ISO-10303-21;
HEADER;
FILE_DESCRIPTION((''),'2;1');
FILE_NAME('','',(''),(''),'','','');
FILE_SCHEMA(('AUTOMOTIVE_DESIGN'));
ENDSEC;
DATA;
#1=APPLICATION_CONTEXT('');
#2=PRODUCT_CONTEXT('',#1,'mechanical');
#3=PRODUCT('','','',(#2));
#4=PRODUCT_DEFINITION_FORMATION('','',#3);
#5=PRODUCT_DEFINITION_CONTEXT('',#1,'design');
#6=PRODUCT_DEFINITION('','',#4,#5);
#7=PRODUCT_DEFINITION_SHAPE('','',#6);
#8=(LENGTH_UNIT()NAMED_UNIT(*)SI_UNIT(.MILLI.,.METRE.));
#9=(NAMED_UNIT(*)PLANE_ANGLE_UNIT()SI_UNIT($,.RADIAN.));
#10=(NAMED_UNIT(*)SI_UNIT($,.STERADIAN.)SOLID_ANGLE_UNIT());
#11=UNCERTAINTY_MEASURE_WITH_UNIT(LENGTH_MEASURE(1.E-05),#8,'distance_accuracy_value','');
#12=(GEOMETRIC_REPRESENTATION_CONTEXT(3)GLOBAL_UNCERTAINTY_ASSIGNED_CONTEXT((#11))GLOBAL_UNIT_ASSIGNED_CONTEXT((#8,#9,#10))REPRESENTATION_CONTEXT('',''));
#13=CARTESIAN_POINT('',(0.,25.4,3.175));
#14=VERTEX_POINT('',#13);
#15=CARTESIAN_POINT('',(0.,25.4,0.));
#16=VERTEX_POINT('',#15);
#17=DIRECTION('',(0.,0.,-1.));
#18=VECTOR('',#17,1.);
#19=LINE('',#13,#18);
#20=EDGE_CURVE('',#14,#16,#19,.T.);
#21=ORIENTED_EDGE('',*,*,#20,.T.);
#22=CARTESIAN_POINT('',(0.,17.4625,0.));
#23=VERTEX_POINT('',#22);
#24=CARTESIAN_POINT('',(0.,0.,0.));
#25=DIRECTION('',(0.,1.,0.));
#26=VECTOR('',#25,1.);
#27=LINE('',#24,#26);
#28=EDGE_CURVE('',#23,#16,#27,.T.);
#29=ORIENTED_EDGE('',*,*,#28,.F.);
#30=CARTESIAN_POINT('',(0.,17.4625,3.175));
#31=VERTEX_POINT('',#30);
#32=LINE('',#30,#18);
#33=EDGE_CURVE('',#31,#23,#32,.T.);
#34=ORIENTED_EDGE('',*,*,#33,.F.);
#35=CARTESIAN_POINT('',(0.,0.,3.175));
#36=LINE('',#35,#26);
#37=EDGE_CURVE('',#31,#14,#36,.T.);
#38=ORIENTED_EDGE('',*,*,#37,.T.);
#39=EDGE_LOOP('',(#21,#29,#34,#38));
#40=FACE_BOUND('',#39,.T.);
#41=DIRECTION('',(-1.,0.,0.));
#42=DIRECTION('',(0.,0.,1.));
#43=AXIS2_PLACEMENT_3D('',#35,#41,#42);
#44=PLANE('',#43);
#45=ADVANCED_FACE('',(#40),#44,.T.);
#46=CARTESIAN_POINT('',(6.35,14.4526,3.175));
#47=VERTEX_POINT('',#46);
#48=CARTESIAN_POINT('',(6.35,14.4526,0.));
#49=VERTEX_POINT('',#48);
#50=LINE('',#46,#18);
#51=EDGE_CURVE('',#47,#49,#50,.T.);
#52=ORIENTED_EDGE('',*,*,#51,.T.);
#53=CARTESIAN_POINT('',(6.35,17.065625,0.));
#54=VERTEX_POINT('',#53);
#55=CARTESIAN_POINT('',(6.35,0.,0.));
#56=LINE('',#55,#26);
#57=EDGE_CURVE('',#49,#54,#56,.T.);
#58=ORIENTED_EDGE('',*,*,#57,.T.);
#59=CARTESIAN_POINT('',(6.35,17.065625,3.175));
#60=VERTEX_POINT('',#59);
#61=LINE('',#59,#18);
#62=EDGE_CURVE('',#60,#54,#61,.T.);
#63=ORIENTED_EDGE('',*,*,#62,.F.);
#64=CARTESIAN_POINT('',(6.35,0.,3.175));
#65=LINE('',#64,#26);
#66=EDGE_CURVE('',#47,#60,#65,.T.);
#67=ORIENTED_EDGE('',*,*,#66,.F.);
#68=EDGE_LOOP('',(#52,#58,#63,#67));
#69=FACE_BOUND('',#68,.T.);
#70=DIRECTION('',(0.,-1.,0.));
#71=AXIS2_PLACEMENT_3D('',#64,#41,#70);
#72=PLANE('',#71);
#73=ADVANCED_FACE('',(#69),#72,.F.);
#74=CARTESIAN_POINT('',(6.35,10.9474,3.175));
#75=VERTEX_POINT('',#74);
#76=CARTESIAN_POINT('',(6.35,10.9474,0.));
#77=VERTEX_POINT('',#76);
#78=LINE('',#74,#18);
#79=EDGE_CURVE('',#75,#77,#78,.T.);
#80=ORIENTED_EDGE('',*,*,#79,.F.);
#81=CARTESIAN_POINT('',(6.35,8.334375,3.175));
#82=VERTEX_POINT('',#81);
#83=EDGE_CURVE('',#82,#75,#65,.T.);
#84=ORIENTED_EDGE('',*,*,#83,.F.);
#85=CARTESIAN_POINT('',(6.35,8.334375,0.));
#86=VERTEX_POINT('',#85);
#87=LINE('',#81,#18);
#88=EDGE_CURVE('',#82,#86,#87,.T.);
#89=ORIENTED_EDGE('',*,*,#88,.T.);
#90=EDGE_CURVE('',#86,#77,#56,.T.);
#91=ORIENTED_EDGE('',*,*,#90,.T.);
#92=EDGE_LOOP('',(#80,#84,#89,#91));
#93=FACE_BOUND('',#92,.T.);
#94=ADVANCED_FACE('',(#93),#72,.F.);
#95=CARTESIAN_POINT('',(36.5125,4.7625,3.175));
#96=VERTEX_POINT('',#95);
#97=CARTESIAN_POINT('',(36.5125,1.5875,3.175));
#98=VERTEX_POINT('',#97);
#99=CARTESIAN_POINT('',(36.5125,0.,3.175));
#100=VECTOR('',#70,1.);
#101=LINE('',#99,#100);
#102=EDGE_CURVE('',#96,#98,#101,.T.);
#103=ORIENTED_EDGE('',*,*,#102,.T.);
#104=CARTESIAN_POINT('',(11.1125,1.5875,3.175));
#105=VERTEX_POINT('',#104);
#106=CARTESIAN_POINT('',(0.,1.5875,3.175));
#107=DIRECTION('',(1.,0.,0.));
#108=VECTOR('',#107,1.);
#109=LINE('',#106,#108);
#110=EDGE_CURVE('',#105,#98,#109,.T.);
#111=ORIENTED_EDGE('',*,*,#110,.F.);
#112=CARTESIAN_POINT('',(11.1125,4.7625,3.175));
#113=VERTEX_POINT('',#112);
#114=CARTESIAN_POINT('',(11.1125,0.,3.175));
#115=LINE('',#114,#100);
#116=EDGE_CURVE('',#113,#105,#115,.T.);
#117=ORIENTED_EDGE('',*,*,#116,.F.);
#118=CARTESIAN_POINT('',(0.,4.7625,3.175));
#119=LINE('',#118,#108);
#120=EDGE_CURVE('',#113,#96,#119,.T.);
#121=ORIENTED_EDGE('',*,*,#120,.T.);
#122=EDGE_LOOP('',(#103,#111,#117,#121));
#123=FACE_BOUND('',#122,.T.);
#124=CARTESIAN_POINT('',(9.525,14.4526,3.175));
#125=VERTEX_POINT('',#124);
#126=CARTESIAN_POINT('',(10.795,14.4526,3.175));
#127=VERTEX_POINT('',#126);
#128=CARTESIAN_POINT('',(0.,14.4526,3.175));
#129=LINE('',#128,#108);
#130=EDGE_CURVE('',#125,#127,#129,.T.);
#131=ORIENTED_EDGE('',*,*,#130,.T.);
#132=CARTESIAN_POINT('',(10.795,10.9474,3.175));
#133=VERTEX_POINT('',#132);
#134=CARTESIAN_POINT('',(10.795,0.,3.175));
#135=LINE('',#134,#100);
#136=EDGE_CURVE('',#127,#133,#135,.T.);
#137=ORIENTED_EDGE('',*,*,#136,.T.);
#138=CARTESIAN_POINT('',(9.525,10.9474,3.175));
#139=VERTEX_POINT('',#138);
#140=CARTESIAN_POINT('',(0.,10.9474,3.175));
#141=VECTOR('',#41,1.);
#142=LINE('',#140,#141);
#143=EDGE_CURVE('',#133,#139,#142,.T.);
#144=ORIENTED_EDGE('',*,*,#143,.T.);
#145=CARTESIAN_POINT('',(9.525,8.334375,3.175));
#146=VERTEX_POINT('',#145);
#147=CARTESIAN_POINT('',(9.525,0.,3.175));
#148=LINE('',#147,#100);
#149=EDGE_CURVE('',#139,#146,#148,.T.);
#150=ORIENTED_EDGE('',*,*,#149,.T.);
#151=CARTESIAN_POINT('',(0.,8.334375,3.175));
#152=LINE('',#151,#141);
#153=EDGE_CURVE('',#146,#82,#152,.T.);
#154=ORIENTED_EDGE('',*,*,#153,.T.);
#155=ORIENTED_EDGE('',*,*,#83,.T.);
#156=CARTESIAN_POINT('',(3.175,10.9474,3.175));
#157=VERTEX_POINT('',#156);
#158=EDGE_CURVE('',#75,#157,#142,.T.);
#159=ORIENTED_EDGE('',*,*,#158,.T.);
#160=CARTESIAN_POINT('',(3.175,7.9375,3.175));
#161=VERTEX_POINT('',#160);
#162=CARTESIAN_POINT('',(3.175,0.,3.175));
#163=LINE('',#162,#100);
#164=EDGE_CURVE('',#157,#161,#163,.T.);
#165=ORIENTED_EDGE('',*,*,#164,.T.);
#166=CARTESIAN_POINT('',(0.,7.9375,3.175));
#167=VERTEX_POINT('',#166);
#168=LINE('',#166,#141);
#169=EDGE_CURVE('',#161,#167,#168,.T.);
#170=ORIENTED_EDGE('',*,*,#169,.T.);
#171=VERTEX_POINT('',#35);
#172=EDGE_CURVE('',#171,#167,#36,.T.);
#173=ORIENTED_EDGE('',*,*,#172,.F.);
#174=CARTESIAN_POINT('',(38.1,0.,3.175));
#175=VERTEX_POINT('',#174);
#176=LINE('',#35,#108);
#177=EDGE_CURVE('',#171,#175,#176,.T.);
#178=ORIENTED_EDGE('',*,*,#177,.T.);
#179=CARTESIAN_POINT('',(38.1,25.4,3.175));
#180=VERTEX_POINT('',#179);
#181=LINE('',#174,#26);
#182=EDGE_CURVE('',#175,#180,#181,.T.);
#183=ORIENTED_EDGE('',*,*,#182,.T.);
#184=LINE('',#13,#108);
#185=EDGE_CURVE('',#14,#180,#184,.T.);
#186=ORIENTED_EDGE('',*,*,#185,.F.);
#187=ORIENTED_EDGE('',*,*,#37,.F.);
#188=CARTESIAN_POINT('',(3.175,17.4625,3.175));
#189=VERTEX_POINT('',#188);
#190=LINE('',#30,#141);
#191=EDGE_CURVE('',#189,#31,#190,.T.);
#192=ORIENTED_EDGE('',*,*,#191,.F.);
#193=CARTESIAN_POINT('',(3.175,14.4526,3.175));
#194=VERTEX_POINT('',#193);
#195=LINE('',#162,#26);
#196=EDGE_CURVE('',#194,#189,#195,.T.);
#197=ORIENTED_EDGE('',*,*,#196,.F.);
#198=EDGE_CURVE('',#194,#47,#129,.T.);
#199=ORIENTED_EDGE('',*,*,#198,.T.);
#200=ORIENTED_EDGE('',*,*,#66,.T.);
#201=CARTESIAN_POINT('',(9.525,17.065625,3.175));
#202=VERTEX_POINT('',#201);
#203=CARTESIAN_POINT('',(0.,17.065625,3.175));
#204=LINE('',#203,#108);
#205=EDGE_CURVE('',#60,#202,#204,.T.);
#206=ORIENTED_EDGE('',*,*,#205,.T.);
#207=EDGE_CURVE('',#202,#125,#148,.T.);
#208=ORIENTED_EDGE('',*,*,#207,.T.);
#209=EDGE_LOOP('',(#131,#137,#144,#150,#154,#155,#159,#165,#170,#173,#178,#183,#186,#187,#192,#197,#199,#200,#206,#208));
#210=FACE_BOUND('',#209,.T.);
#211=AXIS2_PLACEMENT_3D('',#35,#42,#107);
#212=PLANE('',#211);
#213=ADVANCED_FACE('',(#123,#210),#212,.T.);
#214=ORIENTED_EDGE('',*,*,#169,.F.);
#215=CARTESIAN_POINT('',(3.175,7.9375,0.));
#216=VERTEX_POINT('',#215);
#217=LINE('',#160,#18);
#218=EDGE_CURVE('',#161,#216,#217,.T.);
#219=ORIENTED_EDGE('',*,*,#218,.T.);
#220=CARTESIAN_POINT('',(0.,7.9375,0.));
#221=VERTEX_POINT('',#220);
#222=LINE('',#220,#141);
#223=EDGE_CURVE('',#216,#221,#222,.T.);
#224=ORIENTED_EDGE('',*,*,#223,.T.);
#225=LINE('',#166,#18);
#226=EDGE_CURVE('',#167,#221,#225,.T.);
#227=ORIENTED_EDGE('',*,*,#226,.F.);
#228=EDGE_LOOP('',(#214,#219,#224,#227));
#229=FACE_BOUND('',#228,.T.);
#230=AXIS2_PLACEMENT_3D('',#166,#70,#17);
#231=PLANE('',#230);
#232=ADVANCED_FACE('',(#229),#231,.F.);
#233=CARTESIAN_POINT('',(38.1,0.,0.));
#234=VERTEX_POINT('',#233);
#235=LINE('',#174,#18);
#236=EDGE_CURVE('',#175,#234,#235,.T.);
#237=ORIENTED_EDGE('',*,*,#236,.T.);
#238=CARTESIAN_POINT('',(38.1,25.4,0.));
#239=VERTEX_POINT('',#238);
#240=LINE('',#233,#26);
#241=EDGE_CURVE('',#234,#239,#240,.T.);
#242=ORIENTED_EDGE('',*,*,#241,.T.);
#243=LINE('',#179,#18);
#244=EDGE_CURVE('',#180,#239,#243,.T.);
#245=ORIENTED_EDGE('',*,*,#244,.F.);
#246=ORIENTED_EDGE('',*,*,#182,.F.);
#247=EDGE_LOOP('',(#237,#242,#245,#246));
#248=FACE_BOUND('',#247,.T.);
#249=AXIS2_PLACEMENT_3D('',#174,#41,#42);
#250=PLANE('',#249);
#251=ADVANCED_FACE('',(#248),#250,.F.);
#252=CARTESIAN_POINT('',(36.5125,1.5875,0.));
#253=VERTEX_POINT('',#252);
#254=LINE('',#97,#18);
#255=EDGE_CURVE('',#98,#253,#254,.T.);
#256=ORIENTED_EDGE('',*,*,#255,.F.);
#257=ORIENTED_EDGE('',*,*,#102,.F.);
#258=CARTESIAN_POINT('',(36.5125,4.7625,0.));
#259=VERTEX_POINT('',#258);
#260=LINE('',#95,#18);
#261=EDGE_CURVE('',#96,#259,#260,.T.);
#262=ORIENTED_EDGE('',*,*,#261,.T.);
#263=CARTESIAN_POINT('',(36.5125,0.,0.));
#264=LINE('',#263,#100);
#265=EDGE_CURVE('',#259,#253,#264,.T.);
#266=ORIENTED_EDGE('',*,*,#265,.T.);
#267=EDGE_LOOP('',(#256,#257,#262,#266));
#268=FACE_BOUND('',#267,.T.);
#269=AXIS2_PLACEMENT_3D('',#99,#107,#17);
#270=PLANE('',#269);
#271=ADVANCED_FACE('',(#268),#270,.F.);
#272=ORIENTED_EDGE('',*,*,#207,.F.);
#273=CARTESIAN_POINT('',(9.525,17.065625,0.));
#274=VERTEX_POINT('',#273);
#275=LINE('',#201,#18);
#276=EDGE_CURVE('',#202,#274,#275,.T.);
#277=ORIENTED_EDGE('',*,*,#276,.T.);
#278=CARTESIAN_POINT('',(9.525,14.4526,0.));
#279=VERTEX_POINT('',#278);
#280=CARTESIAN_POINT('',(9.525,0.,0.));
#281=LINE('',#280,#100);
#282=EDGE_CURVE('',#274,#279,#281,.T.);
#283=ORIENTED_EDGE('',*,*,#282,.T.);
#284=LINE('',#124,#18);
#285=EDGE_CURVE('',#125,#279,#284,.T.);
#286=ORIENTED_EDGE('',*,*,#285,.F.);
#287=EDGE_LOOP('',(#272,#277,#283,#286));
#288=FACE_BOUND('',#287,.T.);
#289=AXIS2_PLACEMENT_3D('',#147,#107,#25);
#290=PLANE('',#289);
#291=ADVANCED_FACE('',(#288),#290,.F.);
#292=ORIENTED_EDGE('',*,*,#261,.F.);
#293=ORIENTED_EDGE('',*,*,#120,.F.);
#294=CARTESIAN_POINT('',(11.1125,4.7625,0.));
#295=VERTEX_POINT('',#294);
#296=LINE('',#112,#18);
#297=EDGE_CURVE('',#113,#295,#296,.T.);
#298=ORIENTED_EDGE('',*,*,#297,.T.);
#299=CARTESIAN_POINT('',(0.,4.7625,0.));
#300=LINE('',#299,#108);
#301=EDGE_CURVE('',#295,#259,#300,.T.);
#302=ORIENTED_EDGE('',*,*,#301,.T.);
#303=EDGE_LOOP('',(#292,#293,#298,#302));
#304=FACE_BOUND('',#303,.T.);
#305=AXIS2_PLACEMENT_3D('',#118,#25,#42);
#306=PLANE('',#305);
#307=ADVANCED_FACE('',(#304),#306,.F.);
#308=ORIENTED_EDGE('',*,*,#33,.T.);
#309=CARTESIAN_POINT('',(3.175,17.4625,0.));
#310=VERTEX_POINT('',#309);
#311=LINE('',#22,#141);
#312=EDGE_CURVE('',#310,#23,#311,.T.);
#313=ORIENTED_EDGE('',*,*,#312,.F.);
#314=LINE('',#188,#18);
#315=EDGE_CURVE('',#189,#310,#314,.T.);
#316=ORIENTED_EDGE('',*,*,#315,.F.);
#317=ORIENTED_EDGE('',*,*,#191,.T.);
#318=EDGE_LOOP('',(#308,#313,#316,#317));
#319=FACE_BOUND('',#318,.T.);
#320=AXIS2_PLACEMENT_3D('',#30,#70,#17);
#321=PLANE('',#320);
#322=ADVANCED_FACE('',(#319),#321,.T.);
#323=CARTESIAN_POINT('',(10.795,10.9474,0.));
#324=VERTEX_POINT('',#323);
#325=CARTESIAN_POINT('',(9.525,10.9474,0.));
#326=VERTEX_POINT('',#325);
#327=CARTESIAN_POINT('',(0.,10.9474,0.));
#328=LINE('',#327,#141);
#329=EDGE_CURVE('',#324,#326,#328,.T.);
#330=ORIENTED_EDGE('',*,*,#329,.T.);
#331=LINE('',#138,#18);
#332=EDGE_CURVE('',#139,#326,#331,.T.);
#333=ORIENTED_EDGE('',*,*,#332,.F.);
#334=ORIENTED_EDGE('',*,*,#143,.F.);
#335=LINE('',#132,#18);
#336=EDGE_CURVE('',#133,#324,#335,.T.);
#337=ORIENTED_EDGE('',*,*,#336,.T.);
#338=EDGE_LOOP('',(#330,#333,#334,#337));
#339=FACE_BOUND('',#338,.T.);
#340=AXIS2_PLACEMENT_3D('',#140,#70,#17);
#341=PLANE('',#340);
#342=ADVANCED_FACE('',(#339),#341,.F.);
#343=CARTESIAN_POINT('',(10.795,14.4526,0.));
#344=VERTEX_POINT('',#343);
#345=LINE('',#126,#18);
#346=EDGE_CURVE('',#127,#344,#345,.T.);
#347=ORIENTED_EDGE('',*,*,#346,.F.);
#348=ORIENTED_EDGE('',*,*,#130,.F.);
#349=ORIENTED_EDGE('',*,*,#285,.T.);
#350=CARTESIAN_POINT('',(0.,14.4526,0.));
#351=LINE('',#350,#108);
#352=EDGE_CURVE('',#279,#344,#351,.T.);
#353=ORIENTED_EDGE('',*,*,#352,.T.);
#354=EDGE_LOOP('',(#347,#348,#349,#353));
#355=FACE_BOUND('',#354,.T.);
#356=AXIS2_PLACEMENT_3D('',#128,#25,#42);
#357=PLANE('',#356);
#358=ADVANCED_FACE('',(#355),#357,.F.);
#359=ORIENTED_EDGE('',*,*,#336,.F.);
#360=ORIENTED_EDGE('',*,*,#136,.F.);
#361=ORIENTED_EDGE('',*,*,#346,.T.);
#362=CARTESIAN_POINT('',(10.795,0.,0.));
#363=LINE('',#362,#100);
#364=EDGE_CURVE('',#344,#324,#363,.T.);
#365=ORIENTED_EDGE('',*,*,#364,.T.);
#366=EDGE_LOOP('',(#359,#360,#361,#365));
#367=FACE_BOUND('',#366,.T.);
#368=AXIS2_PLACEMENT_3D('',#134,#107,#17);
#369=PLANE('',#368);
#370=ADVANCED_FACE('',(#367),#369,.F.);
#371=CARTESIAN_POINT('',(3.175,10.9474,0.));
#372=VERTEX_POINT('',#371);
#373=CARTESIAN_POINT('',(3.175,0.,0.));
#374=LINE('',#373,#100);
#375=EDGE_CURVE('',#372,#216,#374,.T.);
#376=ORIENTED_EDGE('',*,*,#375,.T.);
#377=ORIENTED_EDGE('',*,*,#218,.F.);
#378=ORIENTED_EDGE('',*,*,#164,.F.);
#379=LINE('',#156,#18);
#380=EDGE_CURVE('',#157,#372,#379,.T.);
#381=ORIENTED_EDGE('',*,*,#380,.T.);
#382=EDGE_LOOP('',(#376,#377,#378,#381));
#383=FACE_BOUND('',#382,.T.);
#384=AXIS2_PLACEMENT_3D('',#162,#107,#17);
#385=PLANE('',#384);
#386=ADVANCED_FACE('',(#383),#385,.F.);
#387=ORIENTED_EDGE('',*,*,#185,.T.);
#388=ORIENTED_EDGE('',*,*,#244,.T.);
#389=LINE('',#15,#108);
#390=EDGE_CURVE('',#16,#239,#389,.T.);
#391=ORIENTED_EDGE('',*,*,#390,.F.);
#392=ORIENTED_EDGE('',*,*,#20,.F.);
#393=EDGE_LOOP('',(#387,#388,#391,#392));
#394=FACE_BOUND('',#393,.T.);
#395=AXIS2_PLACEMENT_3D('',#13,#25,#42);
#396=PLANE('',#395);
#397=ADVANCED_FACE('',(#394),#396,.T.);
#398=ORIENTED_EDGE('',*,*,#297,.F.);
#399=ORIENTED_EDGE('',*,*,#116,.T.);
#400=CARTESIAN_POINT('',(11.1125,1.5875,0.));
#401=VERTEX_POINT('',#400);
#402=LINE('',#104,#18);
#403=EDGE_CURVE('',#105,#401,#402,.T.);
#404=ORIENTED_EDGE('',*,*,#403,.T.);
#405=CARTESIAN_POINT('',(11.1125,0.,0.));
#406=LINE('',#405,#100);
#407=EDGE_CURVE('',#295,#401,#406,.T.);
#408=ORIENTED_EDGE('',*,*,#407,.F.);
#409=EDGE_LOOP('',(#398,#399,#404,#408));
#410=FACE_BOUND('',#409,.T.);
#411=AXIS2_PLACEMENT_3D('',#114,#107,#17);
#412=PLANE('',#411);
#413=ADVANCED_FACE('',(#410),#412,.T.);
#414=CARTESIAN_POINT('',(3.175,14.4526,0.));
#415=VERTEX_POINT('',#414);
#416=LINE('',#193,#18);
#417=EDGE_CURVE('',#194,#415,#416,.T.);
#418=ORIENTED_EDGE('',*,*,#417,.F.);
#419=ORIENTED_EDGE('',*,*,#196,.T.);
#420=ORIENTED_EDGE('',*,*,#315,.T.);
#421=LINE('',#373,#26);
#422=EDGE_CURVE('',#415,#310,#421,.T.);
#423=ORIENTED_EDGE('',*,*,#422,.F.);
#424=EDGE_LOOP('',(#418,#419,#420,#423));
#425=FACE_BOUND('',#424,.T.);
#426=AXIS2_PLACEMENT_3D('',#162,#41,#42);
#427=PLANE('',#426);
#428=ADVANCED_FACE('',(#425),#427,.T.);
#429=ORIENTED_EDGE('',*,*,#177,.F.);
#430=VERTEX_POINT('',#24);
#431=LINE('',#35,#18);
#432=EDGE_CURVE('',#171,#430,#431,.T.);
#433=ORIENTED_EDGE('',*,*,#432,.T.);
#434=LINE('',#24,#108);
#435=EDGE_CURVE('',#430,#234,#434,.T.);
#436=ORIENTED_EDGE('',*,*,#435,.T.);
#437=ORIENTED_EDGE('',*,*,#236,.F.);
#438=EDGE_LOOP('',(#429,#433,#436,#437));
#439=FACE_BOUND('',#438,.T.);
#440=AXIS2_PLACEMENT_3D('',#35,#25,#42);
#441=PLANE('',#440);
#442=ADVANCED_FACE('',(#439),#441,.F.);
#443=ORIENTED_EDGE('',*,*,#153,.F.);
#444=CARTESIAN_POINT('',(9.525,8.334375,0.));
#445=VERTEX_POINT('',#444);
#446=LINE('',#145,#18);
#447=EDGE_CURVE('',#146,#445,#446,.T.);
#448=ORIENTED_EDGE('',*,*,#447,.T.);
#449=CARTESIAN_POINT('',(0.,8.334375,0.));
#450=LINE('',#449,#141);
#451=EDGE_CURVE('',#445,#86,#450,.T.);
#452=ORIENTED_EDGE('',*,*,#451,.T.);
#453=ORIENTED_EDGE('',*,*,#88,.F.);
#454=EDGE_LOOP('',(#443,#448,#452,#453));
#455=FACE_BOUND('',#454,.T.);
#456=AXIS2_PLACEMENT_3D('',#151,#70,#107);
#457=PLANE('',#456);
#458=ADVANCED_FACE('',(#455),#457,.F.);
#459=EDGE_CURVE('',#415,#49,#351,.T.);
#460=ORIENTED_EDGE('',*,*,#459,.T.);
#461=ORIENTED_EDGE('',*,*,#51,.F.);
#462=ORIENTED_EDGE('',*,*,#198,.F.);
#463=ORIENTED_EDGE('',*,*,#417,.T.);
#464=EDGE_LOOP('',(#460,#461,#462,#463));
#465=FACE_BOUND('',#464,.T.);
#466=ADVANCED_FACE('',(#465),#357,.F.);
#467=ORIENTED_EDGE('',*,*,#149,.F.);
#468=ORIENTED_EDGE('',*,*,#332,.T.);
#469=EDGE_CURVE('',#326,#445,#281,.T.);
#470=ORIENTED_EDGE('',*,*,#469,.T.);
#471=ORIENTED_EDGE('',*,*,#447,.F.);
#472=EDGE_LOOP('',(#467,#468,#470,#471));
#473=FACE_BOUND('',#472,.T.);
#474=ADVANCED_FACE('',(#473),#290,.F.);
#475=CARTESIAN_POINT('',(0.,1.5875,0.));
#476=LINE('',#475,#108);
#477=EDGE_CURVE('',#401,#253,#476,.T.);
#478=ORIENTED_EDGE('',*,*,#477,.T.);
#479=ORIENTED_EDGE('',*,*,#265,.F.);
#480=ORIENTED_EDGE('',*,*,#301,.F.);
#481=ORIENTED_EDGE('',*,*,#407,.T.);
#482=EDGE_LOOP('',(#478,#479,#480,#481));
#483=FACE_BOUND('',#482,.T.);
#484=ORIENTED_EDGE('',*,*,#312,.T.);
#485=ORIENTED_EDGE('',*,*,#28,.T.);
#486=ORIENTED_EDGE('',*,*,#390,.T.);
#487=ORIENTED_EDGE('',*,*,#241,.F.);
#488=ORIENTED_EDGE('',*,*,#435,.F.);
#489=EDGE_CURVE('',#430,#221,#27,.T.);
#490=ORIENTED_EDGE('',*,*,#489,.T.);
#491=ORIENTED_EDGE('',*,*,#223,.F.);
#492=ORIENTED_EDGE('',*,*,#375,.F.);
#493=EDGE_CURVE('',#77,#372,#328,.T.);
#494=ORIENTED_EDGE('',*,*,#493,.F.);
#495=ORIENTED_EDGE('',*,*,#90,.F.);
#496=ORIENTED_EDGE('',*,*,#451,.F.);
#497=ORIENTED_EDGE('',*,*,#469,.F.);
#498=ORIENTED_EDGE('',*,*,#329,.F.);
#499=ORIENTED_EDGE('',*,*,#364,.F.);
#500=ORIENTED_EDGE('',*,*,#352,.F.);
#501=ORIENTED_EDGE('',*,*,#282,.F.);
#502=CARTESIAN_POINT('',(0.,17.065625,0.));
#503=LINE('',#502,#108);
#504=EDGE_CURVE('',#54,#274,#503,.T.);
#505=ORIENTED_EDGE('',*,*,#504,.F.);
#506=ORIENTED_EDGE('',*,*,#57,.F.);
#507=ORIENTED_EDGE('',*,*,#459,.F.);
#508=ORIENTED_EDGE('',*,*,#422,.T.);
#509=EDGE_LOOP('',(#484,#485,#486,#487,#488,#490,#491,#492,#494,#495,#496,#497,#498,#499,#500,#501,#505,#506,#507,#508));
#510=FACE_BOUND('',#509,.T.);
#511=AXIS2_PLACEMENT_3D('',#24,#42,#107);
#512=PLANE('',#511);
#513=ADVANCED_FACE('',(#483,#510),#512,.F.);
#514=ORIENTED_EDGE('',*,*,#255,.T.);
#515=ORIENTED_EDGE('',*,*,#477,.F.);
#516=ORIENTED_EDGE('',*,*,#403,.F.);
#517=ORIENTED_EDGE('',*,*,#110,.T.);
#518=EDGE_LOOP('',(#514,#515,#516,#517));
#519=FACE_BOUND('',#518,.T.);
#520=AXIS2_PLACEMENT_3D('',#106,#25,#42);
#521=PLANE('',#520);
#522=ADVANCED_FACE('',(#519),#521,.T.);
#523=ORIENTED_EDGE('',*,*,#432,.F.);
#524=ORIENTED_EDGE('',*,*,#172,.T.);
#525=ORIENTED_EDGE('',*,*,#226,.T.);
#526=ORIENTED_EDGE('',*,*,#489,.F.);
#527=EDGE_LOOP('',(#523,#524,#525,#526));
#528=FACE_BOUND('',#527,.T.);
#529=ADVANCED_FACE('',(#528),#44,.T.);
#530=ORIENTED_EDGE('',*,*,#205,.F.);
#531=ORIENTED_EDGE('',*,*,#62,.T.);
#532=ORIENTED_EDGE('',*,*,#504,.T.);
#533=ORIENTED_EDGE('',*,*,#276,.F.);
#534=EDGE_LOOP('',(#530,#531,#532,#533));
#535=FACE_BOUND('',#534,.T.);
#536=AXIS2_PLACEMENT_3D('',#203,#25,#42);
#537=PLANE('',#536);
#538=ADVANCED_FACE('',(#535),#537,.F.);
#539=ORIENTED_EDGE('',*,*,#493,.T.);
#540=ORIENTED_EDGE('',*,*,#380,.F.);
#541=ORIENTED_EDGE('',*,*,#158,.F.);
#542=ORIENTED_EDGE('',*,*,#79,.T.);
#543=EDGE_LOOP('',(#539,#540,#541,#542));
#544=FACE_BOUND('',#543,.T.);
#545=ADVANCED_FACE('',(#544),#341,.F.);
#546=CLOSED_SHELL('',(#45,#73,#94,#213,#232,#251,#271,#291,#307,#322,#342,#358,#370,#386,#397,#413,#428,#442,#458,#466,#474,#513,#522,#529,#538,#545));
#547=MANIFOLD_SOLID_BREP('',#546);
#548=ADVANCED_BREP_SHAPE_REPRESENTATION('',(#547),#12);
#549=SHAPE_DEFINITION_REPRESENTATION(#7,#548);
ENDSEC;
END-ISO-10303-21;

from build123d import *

# Parameters (mm, degrees)
SKETCH2_W           = 25.4
SKETCH2_H           = 3.175
BOSS_EXTRUDE1_DEPTH = 3.175


with BuildPart() as part:
    # Sketch2 → Boss-Extrude1 (new body)
    with BuildSketch(Plane.XY):
        Polygon((0, 7.9375), (0, 0), (38.1, 0), (38.1, 25.4), (0, 25.4), (0, 17.4625), (3.175, 17.4625), (3.175, 14.4526), (6.35, 14.4526), (6.35, 17.065625), (9.525, 17.065625), (9.525, 14.4526), (10.795, 14.4526), (10.795, 10.9474), (9.525, 10.9474), (9.525, 8.334375), (6.35, 8.334375), (6.35, 10.9474), (3.175, 10.9474), (3.175, 7.9375), align=None)
        with Locations((23.8125, 3.175)):
            Rectangle(SKETCH2_W, SKETCH2_H, mode=Mode.SUBTRACT)
    extrude(amount=BOSS_EXTRUDE1_DEPTH)


solid = part.part
